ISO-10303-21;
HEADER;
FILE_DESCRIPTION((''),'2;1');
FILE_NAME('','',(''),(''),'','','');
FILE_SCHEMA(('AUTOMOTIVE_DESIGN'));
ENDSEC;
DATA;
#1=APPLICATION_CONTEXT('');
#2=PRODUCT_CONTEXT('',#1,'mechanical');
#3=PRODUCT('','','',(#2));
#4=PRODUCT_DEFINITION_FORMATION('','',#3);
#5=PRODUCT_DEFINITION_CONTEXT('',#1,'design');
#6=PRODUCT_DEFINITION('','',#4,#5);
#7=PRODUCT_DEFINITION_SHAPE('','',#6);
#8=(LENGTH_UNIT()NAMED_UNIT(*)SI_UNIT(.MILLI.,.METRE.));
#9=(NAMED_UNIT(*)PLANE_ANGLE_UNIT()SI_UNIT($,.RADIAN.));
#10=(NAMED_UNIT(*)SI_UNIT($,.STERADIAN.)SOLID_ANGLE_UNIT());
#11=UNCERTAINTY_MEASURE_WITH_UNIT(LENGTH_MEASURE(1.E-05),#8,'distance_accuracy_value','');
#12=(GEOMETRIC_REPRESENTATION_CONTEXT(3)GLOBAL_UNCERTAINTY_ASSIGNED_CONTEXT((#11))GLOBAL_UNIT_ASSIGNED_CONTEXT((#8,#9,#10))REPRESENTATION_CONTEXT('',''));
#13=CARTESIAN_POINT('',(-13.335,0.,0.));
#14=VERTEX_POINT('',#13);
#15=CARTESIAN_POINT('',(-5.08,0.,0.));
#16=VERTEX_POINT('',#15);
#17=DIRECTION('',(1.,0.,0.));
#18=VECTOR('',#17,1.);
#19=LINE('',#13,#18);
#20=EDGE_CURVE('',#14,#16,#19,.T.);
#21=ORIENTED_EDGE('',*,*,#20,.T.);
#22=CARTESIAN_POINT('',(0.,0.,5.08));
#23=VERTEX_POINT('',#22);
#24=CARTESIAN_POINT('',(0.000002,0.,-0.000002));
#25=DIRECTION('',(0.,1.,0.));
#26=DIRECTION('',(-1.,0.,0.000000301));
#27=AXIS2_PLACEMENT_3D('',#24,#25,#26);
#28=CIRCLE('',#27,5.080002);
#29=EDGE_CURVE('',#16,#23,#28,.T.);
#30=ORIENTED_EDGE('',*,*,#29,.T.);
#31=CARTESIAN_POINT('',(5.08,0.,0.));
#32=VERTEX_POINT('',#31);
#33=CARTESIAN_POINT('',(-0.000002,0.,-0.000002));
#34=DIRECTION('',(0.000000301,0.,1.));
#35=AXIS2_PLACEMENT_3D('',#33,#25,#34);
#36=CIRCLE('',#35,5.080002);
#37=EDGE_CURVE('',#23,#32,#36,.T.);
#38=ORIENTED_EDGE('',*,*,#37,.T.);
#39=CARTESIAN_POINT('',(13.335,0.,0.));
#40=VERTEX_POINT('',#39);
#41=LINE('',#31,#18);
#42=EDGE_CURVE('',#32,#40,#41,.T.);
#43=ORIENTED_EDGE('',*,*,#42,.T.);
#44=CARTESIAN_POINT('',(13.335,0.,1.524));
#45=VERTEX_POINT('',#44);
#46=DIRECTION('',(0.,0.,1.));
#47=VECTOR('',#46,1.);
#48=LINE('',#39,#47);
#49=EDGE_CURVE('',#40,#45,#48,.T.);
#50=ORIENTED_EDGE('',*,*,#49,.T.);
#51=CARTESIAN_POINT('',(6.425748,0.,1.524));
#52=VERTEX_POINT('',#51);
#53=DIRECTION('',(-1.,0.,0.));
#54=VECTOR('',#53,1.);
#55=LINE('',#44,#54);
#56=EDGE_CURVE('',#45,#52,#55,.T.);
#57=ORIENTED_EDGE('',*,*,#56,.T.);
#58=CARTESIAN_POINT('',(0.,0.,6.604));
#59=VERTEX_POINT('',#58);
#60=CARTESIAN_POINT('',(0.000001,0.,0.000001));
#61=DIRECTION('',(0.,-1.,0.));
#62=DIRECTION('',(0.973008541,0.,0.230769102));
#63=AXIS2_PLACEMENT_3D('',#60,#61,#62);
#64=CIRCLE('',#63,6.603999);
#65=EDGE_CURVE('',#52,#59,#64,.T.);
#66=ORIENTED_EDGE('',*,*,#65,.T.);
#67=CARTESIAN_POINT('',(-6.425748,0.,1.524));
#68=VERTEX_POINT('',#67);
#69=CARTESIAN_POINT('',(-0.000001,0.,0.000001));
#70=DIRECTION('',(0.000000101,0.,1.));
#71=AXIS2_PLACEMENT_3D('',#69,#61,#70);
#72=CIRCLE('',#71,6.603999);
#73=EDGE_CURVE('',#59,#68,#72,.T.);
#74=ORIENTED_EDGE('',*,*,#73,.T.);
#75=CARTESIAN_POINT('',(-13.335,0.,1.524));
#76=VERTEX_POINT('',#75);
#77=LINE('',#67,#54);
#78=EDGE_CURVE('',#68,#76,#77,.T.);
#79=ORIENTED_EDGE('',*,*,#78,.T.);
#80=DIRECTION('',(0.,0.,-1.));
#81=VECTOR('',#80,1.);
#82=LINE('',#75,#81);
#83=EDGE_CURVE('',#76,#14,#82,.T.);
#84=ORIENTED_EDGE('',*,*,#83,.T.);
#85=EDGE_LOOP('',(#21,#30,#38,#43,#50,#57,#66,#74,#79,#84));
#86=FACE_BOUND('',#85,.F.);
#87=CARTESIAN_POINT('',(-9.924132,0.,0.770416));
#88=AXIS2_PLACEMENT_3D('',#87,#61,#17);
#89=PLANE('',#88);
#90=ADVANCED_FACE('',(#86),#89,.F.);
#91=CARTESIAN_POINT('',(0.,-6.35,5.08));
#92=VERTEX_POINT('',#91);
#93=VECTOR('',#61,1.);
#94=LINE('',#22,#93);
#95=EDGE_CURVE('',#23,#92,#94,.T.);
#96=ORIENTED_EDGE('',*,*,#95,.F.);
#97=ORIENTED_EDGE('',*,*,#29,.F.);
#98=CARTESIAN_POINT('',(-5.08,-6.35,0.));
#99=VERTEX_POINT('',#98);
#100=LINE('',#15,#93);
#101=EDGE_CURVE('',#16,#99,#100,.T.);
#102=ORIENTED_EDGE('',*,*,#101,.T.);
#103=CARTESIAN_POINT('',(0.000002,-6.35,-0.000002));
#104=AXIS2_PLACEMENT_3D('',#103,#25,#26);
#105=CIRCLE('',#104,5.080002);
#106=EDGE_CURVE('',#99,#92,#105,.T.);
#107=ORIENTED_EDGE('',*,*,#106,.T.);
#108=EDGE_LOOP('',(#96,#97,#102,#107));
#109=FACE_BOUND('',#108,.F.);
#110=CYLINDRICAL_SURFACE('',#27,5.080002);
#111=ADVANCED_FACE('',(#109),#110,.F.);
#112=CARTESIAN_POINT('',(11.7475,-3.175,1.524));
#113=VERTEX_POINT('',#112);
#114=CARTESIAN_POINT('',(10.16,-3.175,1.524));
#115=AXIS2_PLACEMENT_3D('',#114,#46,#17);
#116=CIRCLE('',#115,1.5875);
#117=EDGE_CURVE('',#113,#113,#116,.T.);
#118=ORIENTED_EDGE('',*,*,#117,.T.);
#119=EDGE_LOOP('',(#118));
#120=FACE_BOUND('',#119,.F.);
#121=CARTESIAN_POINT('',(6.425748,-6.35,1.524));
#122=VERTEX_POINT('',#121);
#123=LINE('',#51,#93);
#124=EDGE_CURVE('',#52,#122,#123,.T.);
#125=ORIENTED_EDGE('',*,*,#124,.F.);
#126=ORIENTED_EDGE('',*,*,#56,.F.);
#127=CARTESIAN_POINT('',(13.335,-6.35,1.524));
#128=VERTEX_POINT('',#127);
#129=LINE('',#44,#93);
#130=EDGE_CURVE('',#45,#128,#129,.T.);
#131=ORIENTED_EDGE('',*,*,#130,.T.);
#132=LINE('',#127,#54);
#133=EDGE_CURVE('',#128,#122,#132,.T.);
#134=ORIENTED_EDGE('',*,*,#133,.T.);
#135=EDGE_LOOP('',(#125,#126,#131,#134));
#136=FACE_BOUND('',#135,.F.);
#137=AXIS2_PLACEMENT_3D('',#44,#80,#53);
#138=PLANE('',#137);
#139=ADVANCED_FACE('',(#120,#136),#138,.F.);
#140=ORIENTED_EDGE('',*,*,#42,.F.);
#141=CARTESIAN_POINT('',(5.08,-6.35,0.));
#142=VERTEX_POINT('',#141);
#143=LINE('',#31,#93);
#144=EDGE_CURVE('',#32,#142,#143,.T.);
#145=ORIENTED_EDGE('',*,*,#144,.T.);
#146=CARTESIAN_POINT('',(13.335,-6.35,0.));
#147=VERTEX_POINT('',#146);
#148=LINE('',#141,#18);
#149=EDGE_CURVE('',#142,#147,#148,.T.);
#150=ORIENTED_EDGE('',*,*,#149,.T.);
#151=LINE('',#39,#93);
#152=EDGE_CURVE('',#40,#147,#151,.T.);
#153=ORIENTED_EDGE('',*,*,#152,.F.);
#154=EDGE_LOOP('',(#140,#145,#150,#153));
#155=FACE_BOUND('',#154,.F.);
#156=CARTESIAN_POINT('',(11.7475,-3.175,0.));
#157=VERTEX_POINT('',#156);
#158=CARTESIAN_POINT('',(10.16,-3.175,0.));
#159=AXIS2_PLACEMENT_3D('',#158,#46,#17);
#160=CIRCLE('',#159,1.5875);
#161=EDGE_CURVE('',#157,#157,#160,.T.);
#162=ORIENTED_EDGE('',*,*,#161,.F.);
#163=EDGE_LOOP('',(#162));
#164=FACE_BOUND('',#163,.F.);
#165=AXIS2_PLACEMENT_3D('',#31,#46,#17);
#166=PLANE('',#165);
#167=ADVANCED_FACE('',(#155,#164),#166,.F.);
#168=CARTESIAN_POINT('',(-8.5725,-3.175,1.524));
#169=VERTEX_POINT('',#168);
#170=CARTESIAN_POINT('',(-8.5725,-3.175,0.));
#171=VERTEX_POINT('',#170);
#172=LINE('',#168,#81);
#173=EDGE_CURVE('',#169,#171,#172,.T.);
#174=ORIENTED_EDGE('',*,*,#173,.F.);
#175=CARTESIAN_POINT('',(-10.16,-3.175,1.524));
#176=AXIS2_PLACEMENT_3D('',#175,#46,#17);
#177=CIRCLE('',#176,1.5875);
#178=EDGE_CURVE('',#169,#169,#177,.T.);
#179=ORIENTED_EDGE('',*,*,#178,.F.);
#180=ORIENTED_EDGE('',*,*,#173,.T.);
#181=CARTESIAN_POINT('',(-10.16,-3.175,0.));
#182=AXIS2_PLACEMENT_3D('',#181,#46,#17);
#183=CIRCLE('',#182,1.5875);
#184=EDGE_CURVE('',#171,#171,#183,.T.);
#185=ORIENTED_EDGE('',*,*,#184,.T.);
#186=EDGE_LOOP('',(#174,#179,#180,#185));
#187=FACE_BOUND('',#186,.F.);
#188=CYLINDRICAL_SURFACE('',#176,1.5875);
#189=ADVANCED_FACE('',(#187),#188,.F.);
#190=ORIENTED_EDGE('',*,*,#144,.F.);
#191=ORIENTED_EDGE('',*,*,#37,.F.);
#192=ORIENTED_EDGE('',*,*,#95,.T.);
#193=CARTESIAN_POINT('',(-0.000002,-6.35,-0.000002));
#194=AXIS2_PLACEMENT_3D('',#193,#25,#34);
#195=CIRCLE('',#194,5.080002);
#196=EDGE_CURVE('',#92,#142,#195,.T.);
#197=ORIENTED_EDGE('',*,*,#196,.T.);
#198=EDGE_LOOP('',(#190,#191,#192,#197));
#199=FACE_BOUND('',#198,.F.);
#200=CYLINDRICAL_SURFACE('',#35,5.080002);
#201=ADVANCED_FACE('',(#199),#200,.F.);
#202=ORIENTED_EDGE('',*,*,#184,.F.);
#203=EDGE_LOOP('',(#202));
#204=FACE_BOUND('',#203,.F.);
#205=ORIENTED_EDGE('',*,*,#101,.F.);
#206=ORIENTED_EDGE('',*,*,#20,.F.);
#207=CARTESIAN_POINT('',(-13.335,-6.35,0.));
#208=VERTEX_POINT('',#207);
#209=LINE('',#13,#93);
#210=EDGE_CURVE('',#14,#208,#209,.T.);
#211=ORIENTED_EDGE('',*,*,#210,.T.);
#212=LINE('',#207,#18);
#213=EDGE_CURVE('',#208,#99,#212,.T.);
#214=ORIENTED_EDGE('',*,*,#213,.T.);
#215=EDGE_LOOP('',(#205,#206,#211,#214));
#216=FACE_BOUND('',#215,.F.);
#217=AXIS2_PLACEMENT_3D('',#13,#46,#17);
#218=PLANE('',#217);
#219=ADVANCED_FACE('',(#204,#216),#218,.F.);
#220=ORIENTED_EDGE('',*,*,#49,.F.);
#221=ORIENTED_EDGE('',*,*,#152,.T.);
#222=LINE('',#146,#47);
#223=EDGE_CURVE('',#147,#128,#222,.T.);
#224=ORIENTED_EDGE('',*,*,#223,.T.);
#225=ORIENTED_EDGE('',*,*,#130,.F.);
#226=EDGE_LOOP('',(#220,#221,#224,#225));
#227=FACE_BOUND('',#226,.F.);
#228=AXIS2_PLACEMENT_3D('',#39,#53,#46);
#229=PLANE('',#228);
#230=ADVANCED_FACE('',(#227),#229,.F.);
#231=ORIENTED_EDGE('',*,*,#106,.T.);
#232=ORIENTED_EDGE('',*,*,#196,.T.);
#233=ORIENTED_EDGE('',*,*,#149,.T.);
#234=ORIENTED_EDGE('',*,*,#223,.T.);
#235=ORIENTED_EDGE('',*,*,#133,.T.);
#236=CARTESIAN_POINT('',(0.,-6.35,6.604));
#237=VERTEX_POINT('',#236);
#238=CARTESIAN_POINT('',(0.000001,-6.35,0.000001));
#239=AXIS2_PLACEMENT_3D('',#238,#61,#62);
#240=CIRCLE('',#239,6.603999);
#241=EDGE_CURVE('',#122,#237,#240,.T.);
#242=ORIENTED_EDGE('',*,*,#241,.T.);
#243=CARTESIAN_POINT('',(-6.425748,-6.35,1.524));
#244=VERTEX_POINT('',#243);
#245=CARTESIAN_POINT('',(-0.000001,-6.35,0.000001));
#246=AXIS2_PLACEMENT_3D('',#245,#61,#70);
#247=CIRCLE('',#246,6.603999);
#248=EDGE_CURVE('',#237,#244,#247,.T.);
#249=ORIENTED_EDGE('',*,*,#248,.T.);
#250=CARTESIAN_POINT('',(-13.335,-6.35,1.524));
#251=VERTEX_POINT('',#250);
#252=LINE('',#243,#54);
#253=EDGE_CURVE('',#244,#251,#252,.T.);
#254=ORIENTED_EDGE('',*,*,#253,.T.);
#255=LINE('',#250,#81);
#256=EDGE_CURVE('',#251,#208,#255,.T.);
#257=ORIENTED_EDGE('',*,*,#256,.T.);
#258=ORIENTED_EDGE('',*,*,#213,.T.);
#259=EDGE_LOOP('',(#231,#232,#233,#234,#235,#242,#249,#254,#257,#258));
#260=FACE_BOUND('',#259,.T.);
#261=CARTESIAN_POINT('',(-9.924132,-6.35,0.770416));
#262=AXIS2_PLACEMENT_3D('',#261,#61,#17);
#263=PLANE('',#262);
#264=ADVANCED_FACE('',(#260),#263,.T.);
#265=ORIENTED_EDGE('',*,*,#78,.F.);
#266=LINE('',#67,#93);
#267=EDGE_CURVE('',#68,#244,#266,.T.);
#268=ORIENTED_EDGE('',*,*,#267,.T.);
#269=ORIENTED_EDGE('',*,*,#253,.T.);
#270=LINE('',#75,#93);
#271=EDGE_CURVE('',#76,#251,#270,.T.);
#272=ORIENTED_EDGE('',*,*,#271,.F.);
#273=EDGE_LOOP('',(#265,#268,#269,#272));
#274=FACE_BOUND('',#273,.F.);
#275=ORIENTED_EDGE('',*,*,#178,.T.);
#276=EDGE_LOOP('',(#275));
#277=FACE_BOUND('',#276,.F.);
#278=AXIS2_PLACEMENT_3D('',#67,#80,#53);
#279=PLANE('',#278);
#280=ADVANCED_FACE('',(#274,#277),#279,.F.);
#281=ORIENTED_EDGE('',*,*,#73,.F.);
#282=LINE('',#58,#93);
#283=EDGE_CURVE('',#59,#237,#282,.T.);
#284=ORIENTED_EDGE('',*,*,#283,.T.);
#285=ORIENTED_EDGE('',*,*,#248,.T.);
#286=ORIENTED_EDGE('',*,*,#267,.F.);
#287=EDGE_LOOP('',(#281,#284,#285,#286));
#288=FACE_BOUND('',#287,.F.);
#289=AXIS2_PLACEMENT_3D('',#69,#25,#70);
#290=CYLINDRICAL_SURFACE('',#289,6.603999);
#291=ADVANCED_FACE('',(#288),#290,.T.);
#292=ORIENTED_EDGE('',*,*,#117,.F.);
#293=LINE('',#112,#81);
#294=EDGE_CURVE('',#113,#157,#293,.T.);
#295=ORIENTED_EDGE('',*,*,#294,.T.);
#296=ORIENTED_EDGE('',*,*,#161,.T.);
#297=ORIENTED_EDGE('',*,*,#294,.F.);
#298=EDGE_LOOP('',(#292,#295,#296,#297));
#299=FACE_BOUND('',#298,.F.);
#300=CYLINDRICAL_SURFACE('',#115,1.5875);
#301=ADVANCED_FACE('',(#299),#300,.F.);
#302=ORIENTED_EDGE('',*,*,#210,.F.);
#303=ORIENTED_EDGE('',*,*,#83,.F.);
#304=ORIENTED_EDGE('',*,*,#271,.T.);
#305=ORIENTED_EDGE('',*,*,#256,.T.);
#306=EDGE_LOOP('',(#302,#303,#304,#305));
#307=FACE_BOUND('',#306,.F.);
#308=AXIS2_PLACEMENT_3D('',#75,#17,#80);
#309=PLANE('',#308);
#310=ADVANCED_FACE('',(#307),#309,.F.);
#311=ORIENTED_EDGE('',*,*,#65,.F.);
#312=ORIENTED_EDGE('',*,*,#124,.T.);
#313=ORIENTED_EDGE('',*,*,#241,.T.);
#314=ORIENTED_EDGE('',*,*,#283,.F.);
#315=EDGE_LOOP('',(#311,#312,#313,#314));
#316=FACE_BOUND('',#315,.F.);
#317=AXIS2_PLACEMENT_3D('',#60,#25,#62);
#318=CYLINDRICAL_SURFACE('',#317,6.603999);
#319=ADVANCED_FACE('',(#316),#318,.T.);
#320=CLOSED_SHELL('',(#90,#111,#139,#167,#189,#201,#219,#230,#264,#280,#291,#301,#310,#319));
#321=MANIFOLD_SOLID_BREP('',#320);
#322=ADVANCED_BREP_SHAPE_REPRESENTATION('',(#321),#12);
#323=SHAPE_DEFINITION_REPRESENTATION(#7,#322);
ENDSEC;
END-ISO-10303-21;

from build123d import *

# Parameters (mm, degrees)
F1_DEPTH = 6.35
F2_R     = 1.5875
F3_DEPTH = 1.525


with BuildPart() as f1:
    # F0 (on Front) → F1 (new body)
    with BuildSketch(Plane.XZ):
        with BuildLine():
            Line((-13.335, 0), (-6.604, 0))
            ThreePointArc((-6.604, 0), (-6.559286, 0.767195), (-6.425748, 1.524))
            Line((-6.425748, 1.524), (-9.251668, 1.524))
            Line((-9.251668, 1.524), (-13.335, 1.524))
            Line((-13.335, 1.524), (-13.335, 0))
        make_face()
        with BuildLine():
            Line((-6.604, 0), (-5.08, 0))
            ThreePointArc((-5.08, 0), (-3.592102, 3.592102), (0, 5.08))
            ThreePointArc((0, 5.08), (3.592102, 3.592102), (5.08, 0))
            Line((5.08, 0), (6.604, 0))
            ThreePointArc((6.604, 0), (6.559286, 0.767195), (6.425748, 1.524))
            ThreePointArc((6.425748, 1.524), (4.095627, 5.180604), (0, 6.604))
            ThreePointArc((0, 6.604), (-4.095627, 5.180604), (-6.425748, 1.524))
            ThreePointArc((-6.425748, 1.524), (-6.559286, 0.767195), (-6.604, 0))
        make_face()
        with BuildLine():
            ThreePointArc((6.425748, 1.524), (6.559286, 0.767195), (6.604, 0))
            Line((6.604, 0), (13.335, 0))
            Line((13.335, 0), (13.335, 1.524))
            Line((13.335, 1.524), (9.251668, 1.524))
            Line((9.251668, 1.524), (6.425748, 1.524))
        make_face()
    extrude(amount=F1_DEPTH)

    # F2 (on face) → F3 (cut, through all)
    with BuildSketch(Plane.XY.offset(1.524)):
        with Locations((10.16, -3.175)):
            Circle(F2_R)
        with Locations((-10.16, -3.175)):
            Circle(F2_R)
    extrude(amount=-F3_DEPTH, mode=Mode.SUBTRACT)


solid = f1.part
